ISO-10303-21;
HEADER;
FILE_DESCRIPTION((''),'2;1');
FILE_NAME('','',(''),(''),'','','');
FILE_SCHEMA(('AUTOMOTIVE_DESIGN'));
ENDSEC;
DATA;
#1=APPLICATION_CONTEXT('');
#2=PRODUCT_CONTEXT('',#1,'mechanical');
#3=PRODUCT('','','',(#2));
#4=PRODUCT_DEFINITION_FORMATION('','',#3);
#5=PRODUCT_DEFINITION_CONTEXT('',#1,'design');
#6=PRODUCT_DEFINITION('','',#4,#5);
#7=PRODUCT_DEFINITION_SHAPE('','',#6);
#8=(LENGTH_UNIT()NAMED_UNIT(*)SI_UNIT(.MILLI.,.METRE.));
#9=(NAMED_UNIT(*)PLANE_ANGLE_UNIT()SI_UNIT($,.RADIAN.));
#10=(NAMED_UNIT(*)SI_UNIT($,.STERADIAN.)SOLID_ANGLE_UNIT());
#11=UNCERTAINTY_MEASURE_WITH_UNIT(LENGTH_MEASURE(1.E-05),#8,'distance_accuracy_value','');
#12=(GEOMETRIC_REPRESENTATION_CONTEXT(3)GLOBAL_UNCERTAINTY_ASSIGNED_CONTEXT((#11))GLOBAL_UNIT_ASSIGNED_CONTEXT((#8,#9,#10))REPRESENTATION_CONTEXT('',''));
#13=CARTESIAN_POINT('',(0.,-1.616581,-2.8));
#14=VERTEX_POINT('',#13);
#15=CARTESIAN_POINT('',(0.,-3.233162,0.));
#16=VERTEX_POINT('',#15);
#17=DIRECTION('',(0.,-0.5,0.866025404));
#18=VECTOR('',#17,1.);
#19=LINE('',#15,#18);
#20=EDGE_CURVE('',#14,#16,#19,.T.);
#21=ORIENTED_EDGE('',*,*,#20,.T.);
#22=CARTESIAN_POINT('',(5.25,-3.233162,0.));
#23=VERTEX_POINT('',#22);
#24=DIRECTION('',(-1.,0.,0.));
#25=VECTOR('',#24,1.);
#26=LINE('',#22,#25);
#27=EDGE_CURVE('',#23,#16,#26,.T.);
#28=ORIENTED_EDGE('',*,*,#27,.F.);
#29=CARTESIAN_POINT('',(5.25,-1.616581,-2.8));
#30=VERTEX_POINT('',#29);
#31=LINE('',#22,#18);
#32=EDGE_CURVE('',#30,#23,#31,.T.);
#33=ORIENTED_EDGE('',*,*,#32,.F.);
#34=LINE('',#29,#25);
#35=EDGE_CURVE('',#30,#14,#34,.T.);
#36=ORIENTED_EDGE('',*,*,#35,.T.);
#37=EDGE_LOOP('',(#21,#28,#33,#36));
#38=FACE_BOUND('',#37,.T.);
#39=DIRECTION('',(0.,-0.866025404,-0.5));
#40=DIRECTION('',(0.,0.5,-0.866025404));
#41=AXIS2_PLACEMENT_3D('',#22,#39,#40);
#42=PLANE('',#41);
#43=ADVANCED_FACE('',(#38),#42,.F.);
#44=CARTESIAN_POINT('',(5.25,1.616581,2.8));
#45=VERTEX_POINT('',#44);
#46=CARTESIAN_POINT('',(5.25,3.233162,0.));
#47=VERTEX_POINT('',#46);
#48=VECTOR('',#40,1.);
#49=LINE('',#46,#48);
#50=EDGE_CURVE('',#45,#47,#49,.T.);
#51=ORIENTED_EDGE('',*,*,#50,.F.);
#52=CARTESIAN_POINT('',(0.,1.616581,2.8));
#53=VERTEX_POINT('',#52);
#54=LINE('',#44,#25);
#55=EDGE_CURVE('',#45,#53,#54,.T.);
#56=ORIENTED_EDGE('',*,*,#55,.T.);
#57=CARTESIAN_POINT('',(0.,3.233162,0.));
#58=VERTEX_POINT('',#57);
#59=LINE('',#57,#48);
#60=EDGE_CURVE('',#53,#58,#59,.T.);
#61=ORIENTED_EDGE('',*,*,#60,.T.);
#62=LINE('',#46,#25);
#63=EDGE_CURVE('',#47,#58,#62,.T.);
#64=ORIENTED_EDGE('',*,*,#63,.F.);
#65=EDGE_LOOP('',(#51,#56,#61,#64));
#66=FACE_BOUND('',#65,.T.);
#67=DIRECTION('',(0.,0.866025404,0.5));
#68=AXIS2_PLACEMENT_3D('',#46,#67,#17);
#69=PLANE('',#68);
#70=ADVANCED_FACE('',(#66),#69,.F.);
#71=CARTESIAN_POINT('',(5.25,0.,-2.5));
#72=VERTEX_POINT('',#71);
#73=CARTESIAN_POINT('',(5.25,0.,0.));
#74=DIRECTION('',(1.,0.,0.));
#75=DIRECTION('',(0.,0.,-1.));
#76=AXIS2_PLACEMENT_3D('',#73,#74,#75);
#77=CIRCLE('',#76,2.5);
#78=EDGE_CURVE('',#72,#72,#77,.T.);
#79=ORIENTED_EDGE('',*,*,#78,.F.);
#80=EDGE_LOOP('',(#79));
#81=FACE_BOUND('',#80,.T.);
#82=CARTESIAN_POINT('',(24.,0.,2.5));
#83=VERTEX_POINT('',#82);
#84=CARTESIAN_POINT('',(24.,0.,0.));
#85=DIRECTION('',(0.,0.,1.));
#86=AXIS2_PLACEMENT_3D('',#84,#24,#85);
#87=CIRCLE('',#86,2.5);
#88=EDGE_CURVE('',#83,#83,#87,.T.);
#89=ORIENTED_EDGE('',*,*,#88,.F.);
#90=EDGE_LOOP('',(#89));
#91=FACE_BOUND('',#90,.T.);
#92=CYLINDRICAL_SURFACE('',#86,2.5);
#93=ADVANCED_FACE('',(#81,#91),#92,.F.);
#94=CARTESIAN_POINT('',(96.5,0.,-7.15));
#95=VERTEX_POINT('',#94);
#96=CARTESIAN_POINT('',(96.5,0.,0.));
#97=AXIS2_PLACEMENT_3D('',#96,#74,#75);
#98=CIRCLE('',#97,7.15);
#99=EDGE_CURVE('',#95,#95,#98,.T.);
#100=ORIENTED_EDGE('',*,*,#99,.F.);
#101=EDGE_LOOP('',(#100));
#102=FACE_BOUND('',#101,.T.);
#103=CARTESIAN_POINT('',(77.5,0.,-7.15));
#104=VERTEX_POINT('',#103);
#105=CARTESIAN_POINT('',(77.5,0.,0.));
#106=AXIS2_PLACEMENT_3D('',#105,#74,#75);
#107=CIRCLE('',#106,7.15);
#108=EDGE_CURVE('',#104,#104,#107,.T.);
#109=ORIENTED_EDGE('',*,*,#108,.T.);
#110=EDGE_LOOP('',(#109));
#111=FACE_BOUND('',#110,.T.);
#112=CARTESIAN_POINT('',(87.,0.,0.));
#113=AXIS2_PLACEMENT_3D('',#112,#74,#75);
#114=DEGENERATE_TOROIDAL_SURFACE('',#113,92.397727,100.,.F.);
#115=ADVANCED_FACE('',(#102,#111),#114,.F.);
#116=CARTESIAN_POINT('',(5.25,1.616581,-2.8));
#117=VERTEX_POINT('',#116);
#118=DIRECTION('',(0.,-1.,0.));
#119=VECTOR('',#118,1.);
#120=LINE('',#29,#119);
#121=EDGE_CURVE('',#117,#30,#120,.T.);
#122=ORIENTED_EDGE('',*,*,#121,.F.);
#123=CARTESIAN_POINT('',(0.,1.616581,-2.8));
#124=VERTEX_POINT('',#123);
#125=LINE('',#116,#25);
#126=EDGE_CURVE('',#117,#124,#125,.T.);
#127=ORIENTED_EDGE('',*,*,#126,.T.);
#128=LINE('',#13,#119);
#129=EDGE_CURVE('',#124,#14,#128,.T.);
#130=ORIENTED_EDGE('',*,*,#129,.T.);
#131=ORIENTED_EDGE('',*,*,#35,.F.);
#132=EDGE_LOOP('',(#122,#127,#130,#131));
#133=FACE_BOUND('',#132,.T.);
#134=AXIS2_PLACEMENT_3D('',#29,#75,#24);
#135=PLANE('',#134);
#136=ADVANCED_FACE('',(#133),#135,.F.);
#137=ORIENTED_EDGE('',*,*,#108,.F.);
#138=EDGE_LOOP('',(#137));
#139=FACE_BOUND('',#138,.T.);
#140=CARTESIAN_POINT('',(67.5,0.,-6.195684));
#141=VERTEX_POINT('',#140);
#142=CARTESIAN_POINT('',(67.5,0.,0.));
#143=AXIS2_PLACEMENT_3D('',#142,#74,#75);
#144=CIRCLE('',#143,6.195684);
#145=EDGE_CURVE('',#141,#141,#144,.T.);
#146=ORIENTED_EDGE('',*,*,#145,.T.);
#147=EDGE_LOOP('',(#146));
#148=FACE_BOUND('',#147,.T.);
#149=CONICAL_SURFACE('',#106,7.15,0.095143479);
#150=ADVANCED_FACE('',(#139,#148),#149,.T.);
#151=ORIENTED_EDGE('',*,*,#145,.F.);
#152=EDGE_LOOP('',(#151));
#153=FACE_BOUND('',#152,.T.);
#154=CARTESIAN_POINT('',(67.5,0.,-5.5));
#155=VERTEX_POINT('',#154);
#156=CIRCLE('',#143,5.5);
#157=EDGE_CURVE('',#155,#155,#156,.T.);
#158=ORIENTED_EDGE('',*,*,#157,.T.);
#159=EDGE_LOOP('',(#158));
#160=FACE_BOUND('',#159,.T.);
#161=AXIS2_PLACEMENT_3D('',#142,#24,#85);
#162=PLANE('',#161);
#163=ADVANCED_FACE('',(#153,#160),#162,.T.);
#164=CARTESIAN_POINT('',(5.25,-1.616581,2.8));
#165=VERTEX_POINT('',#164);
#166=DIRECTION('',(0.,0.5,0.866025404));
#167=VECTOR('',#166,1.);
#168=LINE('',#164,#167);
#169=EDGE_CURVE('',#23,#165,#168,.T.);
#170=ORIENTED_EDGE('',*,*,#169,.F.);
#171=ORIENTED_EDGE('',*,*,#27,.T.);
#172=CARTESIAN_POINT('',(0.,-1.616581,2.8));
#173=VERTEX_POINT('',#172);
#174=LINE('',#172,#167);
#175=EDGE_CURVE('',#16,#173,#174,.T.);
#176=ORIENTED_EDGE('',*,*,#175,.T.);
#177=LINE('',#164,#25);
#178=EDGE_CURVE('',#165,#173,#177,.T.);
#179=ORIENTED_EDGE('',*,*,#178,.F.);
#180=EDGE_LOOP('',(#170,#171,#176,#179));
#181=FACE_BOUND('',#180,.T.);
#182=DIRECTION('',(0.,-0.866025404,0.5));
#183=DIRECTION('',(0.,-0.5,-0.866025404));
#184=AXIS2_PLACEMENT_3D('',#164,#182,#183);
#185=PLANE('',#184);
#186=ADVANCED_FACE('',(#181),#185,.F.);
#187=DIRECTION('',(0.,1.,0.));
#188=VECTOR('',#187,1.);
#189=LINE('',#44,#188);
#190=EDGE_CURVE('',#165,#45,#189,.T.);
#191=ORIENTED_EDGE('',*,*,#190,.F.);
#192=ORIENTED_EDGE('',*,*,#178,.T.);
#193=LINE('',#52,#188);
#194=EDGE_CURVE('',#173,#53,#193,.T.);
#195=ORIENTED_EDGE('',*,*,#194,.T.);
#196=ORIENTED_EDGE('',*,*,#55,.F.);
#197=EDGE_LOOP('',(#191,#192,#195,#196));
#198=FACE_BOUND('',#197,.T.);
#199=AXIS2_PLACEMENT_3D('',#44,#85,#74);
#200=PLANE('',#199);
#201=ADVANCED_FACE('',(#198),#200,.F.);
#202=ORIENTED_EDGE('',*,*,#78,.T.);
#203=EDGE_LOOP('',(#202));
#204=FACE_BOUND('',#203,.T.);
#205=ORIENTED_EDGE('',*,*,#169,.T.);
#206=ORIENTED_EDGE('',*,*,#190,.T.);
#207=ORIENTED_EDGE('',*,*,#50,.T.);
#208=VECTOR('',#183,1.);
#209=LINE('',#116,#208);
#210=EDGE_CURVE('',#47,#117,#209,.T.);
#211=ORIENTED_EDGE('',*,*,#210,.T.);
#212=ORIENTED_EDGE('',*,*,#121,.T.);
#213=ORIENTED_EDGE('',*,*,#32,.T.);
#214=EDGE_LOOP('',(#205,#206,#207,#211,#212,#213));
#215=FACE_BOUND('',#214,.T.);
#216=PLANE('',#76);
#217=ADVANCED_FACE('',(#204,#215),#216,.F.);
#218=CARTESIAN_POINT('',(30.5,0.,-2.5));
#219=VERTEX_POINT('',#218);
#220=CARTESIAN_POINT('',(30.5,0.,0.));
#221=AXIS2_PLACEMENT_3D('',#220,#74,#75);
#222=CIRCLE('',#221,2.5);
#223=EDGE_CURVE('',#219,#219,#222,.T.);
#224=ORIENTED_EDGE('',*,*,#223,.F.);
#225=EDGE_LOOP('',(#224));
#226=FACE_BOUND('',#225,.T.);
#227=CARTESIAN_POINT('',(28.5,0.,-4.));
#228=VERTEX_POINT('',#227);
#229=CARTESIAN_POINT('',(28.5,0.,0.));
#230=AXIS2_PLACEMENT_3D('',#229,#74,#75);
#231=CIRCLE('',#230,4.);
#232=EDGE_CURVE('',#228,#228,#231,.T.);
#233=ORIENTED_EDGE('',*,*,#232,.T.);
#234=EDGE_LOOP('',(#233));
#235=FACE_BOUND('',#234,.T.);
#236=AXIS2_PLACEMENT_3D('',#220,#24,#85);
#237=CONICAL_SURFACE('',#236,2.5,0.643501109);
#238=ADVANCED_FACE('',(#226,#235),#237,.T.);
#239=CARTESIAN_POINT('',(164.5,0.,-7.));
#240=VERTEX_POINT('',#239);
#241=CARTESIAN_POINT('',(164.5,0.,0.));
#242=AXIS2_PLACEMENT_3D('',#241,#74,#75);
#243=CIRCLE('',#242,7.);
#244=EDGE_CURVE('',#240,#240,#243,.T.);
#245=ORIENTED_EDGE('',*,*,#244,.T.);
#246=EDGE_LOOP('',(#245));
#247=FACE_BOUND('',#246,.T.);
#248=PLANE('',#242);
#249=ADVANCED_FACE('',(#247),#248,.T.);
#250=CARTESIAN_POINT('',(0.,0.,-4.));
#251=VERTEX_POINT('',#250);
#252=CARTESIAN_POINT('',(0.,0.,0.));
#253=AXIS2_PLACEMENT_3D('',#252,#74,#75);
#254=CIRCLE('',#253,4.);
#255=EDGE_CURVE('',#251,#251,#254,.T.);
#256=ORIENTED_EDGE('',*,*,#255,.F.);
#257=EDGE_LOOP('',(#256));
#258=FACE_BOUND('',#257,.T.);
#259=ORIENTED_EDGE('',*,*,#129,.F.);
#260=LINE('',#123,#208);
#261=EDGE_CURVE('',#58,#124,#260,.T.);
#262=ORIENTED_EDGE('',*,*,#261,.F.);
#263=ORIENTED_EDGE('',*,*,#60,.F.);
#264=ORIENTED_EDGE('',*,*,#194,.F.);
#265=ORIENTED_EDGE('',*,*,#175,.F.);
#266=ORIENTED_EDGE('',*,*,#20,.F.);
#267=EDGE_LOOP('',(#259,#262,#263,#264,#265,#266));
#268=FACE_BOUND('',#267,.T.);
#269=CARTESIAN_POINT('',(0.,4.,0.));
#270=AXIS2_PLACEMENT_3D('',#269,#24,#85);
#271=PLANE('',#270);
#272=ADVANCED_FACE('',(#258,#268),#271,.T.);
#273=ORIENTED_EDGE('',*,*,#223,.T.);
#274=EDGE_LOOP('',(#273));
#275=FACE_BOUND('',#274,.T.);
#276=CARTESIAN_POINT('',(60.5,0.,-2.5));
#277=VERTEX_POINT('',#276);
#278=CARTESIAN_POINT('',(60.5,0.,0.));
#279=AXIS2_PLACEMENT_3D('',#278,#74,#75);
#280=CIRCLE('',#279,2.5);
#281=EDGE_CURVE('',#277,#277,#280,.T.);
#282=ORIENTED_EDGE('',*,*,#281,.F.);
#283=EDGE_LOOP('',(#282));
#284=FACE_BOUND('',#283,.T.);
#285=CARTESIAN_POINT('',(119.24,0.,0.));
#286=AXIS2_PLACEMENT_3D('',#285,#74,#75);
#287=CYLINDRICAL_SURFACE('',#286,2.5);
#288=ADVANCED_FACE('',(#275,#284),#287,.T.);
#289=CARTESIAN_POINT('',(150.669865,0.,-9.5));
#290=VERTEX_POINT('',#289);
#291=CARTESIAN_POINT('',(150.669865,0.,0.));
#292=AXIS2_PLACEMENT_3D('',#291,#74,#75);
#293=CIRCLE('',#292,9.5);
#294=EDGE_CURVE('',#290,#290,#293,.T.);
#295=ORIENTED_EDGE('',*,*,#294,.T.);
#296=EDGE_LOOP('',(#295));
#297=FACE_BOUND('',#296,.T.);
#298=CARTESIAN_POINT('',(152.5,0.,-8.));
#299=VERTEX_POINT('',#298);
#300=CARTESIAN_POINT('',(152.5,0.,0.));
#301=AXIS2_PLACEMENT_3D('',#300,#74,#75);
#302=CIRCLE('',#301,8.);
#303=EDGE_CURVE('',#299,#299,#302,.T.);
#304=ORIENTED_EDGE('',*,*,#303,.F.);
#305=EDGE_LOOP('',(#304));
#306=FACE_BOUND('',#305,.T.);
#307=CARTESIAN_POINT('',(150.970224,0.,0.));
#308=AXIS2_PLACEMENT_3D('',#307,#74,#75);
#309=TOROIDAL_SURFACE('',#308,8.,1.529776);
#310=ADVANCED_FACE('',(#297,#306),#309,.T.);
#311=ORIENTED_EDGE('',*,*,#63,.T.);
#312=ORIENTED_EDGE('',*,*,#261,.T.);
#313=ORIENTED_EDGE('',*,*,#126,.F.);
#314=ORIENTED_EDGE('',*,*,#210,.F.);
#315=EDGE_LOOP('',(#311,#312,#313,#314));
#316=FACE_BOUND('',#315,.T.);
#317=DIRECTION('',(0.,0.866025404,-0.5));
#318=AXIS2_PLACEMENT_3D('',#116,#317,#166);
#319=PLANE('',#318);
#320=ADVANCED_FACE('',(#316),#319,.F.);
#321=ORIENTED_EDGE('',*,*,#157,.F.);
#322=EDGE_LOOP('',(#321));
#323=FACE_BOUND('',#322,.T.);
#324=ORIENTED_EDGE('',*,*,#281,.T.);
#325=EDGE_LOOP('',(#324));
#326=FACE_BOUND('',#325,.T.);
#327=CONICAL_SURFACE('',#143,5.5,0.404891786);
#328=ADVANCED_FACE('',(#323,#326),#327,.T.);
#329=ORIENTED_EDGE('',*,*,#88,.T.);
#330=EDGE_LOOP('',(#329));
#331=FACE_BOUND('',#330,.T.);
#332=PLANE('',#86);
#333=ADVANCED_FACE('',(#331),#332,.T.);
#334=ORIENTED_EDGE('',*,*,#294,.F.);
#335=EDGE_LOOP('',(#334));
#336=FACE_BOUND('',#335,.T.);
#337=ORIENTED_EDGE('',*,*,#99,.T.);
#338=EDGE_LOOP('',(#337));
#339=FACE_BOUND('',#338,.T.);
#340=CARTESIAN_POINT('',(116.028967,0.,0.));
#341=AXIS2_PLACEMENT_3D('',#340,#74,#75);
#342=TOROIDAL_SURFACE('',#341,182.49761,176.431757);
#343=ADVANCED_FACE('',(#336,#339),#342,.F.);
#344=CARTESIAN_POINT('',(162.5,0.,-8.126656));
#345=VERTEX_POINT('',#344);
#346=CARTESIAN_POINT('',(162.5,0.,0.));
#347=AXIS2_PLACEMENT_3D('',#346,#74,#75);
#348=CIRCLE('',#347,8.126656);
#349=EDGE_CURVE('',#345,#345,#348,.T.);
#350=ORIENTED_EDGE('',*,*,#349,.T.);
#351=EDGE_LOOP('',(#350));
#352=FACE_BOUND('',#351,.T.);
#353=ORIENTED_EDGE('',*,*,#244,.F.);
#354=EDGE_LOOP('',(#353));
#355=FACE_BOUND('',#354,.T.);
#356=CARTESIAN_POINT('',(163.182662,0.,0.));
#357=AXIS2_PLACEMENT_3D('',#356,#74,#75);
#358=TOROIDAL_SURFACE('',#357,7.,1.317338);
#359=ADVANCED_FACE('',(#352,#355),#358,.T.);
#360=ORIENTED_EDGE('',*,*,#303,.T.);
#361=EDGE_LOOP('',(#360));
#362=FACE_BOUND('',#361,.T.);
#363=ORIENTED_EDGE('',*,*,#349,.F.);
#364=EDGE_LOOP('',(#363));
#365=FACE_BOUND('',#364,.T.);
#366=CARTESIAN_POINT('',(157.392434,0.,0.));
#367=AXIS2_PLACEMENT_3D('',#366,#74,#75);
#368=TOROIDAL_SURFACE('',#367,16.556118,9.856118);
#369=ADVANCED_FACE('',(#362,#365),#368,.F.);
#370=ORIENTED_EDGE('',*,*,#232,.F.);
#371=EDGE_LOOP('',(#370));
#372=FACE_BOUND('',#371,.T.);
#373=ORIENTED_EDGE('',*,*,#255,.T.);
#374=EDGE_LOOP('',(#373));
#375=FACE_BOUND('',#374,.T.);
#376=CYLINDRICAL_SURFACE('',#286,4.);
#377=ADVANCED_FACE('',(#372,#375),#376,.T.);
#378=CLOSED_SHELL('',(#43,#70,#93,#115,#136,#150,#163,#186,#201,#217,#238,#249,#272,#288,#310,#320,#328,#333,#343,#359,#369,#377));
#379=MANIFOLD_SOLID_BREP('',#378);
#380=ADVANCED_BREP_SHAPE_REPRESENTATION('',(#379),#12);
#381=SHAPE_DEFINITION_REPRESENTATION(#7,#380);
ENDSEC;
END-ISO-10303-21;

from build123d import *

# Parameters (mm, degrees)
HEXAGONALHEAD_DEPTH       = 5.25
SKETCH3_R                 = 2.5
CIRCULARCENTRALHOLE_DEPTH = 24


with BuildPart() as part:
    # Sketch1 → AluminiumPart (revolve)
    with BuildSketch(Plane.XY):
        Polygon((0, 4), (28.5, 4), (30.5, 2.5), (60.5, 2.5), (60.5, 0), (0, 0), align=None)
    revolve(axis=Axis((184.722030444, 0, 0), (-1, 0, 0)))

    # Sketch2 → HexagonalHead (cut)
    with BuildSketch(Plane.ZY):
        Polygon((-2.8, 1.616580754), (0, 3.233161507), (2.8, 1.616580754), (2.8, -1.616580754), (0, -3.233161507), (-2.8, -1.616580754), align=None)
    extrude(amount=-HEXAGONALHEAD_DEPTH, mode=Mode.SUBTRACT)

    # Sketch3 → CircularCentralHole (cut)
    with BuildSketch(Plane.ZY):
        Circle(SKETCH3_R)
    extrude(amount=-CIRCULARCENTRALHOLE_DEPTH, mode=Mode.SUBTRACT)

    # Sketch4 → FirstGreenPart (revolve)
    with BuildSketch(Plane.XY):
        Polygon((60.5, 0), (60.5, 2.5), (67.5, 5.5), (67.5, 0), align=None)
    revolve(axis=Axis((184.722030444, 0, 0), (-1, 0, 0)))

    # Sketch5 → FirstBlackPart (revolve)
    with BuildSketch(Plane.XY):
        with BuildLine():
            Line((67.5, 6.195683888), (77.5, 7.15))
            ThreePointArc((77.5, 7.15), (87, 7.602272753), (96.5, 7.15))
            Line((96.5, 7.15), (96.5, 0))
            Line((96.5, 0), (67.5, 0))
            Line((67.5, 0), (67.5, 6.195683888))
        make_face()
    revolve(axis=Axis((184.722030444, 0, 0), (-1, 0, 0)))

    # Sketch6 → SecondGreenPart (revolve)
    with BuildSketch(Plane.XY):
        with BuildLine():
            Line((152.5, 8), (152.5, 0))
            Line((152.5, 0), (96.5, 0))
            Line((96.5, 0), (96.5, 7.15))
            ThreePointArc((96.5, 7.15), (123.675746685, 6.231641521), (150.66986499, 9.5))
            ThreePointArc((150.66986499, 9.5), (151.939948886, 9.183151951), (152.5, 8))
        make_face()
    revolve(axis=Axis((184.722030444, 0, 0), (-1, 0, 0)))

    # Sketch7 → LastBlackPart (revolve)
    with BuildSketch(Plane.XY):
        with BuildLine():
            Line((152.5, 0), (152.5, 8))
            ThreePointArc((152.5, 8), (157.517257353, 6.700790451), (162.5, 8.126655981))
            ThreePointArc((162.5, 8.126655981), (163.829223328, 8.147753643), (164.5, 7))
            Line((164.5, 7), (164.5, 0))
            Line((164.5, 0), (152.5, 0))
        make_face()
    revolve(axis=Axis((184.722030444, 0, 0), (-1, 0, 0)))


solid = part.part
